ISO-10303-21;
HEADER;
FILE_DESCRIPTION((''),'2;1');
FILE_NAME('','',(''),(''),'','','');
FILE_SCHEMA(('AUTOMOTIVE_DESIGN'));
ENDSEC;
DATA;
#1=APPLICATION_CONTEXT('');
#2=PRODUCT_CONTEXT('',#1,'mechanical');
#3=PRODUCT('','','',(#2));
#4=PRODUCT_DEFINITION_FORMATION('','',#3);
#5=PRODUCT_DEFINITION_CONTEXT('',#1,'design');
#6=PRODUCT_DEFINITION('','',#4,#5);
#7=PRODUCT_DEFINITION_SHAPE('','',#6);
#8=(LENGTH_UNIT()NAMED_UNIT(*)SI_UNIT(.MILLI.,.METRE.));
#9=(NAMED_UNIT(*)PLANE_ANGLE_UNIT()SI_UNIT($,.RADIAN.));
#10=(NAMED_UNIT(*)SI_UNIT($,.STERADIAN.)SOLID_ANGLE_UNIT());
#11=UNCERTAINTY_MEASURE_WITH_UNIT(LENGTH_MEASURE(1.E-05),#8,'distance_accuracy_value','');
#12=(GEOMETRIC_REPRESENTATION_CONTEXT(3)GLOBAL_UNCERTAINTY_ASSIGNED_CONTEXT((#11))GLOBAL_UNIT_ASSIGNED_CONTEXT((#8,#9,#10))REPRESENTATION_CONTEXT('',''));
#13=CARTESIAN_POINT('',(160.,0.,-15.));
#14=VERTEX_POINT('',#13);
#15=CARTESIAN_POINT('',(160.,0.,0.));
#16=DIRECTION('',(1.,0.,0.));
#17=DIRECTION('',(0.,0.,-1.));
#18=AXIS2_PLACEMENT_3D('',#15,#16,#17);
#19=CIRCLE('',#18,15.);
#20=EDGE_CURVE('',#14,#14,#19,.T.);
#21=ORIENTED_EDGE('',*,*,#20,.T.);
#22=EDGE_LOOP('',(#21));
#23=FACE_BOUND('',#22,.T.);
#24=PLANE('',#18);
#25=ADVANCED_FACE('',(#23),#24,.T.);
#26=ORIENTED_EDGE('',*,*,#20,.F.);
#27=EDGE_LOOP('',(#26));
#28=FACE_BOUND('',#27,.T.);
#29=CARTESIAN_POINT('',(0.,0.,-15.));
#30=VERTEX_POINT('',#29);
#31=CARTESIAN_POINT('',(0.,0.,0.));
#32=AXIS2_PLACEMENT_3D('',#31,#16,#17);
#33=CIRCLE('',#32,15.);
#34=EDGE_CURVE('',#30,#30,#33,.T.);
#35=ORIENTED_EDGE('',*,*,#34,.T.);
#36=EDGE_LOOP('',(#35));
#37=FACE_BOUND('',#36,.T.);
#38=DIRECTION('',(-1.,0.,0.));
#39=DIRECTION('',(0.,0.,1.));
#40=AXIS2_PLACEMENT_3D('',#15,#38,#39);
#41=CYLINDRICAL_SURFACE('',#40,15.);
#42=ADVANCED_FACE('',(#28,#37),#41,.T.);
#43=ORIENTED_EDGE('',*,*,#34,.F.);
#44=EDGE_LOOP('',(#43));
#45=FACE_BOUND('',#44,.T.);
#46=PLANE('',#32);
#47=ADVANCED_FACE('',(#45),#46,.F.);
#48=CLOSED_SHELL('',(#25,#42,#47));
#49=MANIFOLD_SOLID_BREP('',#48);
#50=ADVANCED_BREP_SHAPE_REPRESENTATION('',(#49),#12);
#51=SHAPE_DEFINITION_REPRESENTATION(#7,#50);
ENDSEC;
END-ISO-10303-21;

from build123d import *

# Parameters (mm, degrees)
ESQUISSE1_R        = 15
BOSS_EXTRU_1_DEPTH = 160


with BuildPart() as part:
    # Esquisse1 → Boss.-Extru.1 (new body)
    with BuildSketch(Plane(origin=(0, 0, 0), x_dir=(0, 0, -1), z_dir=(1, 0, 0))):
        Circle(ESQUISSE1_R)
    extrude(amount=BOSS_EXTRU_1_DEPTH)


solid = part.part
